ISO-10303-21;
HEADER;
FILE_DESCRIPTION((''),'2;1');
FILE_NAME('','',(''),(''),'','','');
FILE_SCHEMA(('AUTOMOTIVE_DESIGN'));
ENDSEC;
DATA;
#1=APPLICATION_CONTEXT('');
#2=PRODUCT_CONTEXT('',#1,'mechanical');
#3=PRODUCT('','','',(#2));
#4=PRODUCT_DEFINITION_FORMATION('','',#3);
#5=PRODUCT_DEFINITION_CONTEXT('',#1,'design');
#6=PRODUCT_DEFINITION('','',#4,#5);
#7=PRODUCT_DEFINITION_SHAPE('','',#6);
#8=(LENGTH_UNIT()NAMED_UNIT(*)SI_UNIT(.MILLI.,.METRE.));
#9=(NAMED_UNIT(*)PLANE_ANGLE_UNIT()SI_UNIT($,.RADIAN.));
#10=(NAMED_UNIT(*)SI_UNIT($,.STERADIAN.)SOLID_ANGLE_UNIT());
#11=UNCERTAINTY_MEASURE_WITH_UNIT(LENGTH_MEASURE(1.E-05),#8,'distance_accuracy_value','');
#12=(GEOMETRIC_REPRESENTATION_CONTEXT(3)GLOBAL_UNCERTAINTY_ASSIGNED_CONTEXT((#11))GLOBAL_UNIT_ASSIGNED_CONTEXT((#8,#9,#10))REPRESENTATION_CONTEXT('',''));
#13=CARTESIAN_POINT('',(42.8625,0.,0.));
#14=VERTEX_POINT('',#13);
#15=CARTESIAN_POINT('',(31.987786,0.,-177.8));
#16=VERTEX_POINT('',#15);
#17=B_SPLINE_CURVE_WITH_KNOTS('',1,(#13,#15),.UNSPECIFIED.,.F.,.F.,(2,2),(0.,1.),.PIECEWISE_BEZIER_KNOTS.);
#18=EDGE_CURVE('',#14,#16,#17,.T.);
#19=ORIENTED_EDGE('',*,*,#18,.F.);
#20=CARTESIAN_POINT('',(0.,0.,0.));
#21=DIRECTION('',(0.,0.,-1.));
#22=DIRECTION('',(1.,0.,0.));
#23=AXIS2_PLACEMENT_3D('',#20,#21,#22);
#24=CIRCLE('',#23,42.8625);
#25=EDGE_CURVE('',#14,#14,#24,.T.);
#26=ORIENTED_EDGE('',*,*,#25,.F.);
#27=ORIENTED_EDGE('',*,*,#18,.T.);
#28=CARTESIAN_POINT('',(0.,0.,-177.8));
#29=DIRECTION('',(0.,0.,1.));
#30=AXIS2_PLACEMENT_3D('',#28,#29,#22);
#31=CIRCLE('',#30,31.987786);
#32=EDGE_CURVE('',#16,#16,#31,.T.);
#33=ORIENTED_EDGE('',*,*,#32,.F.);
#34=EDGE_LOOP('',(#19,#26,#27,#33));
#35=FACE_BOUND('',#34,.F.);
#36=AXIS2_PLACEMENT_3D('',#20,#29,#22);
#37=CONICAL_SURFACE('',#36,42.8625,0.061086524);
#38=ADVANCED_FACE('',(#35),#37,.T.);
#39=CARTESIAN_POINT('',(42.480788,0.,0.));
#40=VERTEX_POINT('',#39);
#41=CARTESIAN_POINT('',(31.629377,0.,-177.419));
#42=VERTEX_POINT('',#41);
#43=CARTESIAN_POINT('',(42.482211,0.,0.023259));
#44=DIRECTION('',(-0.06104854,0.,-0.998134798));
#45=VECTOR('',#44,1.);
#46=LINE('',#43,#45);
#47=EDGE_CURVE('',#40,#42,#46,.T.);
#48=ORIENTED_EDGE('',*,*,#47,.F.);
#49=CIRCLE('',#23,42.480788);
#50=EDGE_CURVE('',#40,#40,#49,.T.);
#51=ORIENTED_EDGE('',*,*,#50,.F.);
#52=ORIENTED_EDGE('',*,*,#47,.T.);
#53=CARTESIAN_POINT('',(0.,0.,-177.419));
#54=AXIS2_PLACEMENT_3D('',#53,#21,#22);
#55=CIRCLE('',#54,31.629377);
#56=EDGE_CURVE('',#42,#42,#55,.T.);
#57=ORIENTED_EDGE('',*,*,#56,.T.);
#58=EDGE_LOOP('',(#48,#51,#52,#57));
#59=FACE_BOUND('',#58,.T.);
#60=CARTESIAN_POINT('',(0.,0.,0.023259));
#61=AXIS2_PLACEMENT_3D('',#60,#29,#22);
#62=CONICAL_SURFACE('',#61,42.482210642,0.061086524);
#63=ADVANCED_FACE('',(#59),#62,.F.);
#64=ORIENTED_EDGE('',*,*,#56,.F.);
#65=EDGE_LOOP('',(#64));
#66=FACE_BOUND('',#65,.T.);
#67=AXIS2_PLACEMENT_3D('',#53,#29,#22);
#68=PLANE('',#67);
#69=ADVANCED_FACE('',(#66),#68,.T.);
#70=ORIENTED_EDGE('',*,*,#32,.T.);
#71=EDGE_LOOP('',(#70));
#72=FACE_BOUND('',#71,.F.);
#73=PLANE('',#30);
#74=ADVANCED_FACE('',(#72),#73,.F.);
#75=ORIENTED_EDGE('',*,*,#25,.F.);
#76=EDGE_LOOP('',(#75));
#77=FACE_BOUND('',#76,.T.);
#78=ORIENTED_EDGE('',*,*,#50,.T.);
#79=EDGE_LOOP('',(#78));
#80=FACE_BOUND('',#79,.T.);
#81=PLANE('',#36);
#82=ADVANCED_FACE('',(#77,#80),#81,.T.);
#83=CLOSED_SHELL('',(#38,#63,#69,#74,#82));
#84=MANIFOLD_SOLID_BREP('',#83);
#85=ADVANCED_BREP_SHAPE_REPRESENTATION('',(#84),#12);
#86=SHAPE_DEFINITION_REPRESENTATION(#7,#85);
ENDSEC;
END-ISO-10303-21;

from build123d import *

# Parameters (mm, degrees)
F0_R     = 42.8625
F1_DEPTH = 177.8
F1_TAPER = 3.5
F2_T     = -0.381


with BuildPart() as f1:
    # F0 (on Top) → F1 (new body)
    with BuildSketch(Plane.XY):
        Circle(F0_R)
    extrude(amount=-F1_DEPTH, taper=F1_TAPER)

    # F2
    f2_openings = [f1.faces().sort_by_distance(p)[0] for p in [
        (0, 0, 0),
    ]]
    offset(amount=F2_T, openings=f2_openings, kind=Kind.INTERSECTION)


solid = f1.part
